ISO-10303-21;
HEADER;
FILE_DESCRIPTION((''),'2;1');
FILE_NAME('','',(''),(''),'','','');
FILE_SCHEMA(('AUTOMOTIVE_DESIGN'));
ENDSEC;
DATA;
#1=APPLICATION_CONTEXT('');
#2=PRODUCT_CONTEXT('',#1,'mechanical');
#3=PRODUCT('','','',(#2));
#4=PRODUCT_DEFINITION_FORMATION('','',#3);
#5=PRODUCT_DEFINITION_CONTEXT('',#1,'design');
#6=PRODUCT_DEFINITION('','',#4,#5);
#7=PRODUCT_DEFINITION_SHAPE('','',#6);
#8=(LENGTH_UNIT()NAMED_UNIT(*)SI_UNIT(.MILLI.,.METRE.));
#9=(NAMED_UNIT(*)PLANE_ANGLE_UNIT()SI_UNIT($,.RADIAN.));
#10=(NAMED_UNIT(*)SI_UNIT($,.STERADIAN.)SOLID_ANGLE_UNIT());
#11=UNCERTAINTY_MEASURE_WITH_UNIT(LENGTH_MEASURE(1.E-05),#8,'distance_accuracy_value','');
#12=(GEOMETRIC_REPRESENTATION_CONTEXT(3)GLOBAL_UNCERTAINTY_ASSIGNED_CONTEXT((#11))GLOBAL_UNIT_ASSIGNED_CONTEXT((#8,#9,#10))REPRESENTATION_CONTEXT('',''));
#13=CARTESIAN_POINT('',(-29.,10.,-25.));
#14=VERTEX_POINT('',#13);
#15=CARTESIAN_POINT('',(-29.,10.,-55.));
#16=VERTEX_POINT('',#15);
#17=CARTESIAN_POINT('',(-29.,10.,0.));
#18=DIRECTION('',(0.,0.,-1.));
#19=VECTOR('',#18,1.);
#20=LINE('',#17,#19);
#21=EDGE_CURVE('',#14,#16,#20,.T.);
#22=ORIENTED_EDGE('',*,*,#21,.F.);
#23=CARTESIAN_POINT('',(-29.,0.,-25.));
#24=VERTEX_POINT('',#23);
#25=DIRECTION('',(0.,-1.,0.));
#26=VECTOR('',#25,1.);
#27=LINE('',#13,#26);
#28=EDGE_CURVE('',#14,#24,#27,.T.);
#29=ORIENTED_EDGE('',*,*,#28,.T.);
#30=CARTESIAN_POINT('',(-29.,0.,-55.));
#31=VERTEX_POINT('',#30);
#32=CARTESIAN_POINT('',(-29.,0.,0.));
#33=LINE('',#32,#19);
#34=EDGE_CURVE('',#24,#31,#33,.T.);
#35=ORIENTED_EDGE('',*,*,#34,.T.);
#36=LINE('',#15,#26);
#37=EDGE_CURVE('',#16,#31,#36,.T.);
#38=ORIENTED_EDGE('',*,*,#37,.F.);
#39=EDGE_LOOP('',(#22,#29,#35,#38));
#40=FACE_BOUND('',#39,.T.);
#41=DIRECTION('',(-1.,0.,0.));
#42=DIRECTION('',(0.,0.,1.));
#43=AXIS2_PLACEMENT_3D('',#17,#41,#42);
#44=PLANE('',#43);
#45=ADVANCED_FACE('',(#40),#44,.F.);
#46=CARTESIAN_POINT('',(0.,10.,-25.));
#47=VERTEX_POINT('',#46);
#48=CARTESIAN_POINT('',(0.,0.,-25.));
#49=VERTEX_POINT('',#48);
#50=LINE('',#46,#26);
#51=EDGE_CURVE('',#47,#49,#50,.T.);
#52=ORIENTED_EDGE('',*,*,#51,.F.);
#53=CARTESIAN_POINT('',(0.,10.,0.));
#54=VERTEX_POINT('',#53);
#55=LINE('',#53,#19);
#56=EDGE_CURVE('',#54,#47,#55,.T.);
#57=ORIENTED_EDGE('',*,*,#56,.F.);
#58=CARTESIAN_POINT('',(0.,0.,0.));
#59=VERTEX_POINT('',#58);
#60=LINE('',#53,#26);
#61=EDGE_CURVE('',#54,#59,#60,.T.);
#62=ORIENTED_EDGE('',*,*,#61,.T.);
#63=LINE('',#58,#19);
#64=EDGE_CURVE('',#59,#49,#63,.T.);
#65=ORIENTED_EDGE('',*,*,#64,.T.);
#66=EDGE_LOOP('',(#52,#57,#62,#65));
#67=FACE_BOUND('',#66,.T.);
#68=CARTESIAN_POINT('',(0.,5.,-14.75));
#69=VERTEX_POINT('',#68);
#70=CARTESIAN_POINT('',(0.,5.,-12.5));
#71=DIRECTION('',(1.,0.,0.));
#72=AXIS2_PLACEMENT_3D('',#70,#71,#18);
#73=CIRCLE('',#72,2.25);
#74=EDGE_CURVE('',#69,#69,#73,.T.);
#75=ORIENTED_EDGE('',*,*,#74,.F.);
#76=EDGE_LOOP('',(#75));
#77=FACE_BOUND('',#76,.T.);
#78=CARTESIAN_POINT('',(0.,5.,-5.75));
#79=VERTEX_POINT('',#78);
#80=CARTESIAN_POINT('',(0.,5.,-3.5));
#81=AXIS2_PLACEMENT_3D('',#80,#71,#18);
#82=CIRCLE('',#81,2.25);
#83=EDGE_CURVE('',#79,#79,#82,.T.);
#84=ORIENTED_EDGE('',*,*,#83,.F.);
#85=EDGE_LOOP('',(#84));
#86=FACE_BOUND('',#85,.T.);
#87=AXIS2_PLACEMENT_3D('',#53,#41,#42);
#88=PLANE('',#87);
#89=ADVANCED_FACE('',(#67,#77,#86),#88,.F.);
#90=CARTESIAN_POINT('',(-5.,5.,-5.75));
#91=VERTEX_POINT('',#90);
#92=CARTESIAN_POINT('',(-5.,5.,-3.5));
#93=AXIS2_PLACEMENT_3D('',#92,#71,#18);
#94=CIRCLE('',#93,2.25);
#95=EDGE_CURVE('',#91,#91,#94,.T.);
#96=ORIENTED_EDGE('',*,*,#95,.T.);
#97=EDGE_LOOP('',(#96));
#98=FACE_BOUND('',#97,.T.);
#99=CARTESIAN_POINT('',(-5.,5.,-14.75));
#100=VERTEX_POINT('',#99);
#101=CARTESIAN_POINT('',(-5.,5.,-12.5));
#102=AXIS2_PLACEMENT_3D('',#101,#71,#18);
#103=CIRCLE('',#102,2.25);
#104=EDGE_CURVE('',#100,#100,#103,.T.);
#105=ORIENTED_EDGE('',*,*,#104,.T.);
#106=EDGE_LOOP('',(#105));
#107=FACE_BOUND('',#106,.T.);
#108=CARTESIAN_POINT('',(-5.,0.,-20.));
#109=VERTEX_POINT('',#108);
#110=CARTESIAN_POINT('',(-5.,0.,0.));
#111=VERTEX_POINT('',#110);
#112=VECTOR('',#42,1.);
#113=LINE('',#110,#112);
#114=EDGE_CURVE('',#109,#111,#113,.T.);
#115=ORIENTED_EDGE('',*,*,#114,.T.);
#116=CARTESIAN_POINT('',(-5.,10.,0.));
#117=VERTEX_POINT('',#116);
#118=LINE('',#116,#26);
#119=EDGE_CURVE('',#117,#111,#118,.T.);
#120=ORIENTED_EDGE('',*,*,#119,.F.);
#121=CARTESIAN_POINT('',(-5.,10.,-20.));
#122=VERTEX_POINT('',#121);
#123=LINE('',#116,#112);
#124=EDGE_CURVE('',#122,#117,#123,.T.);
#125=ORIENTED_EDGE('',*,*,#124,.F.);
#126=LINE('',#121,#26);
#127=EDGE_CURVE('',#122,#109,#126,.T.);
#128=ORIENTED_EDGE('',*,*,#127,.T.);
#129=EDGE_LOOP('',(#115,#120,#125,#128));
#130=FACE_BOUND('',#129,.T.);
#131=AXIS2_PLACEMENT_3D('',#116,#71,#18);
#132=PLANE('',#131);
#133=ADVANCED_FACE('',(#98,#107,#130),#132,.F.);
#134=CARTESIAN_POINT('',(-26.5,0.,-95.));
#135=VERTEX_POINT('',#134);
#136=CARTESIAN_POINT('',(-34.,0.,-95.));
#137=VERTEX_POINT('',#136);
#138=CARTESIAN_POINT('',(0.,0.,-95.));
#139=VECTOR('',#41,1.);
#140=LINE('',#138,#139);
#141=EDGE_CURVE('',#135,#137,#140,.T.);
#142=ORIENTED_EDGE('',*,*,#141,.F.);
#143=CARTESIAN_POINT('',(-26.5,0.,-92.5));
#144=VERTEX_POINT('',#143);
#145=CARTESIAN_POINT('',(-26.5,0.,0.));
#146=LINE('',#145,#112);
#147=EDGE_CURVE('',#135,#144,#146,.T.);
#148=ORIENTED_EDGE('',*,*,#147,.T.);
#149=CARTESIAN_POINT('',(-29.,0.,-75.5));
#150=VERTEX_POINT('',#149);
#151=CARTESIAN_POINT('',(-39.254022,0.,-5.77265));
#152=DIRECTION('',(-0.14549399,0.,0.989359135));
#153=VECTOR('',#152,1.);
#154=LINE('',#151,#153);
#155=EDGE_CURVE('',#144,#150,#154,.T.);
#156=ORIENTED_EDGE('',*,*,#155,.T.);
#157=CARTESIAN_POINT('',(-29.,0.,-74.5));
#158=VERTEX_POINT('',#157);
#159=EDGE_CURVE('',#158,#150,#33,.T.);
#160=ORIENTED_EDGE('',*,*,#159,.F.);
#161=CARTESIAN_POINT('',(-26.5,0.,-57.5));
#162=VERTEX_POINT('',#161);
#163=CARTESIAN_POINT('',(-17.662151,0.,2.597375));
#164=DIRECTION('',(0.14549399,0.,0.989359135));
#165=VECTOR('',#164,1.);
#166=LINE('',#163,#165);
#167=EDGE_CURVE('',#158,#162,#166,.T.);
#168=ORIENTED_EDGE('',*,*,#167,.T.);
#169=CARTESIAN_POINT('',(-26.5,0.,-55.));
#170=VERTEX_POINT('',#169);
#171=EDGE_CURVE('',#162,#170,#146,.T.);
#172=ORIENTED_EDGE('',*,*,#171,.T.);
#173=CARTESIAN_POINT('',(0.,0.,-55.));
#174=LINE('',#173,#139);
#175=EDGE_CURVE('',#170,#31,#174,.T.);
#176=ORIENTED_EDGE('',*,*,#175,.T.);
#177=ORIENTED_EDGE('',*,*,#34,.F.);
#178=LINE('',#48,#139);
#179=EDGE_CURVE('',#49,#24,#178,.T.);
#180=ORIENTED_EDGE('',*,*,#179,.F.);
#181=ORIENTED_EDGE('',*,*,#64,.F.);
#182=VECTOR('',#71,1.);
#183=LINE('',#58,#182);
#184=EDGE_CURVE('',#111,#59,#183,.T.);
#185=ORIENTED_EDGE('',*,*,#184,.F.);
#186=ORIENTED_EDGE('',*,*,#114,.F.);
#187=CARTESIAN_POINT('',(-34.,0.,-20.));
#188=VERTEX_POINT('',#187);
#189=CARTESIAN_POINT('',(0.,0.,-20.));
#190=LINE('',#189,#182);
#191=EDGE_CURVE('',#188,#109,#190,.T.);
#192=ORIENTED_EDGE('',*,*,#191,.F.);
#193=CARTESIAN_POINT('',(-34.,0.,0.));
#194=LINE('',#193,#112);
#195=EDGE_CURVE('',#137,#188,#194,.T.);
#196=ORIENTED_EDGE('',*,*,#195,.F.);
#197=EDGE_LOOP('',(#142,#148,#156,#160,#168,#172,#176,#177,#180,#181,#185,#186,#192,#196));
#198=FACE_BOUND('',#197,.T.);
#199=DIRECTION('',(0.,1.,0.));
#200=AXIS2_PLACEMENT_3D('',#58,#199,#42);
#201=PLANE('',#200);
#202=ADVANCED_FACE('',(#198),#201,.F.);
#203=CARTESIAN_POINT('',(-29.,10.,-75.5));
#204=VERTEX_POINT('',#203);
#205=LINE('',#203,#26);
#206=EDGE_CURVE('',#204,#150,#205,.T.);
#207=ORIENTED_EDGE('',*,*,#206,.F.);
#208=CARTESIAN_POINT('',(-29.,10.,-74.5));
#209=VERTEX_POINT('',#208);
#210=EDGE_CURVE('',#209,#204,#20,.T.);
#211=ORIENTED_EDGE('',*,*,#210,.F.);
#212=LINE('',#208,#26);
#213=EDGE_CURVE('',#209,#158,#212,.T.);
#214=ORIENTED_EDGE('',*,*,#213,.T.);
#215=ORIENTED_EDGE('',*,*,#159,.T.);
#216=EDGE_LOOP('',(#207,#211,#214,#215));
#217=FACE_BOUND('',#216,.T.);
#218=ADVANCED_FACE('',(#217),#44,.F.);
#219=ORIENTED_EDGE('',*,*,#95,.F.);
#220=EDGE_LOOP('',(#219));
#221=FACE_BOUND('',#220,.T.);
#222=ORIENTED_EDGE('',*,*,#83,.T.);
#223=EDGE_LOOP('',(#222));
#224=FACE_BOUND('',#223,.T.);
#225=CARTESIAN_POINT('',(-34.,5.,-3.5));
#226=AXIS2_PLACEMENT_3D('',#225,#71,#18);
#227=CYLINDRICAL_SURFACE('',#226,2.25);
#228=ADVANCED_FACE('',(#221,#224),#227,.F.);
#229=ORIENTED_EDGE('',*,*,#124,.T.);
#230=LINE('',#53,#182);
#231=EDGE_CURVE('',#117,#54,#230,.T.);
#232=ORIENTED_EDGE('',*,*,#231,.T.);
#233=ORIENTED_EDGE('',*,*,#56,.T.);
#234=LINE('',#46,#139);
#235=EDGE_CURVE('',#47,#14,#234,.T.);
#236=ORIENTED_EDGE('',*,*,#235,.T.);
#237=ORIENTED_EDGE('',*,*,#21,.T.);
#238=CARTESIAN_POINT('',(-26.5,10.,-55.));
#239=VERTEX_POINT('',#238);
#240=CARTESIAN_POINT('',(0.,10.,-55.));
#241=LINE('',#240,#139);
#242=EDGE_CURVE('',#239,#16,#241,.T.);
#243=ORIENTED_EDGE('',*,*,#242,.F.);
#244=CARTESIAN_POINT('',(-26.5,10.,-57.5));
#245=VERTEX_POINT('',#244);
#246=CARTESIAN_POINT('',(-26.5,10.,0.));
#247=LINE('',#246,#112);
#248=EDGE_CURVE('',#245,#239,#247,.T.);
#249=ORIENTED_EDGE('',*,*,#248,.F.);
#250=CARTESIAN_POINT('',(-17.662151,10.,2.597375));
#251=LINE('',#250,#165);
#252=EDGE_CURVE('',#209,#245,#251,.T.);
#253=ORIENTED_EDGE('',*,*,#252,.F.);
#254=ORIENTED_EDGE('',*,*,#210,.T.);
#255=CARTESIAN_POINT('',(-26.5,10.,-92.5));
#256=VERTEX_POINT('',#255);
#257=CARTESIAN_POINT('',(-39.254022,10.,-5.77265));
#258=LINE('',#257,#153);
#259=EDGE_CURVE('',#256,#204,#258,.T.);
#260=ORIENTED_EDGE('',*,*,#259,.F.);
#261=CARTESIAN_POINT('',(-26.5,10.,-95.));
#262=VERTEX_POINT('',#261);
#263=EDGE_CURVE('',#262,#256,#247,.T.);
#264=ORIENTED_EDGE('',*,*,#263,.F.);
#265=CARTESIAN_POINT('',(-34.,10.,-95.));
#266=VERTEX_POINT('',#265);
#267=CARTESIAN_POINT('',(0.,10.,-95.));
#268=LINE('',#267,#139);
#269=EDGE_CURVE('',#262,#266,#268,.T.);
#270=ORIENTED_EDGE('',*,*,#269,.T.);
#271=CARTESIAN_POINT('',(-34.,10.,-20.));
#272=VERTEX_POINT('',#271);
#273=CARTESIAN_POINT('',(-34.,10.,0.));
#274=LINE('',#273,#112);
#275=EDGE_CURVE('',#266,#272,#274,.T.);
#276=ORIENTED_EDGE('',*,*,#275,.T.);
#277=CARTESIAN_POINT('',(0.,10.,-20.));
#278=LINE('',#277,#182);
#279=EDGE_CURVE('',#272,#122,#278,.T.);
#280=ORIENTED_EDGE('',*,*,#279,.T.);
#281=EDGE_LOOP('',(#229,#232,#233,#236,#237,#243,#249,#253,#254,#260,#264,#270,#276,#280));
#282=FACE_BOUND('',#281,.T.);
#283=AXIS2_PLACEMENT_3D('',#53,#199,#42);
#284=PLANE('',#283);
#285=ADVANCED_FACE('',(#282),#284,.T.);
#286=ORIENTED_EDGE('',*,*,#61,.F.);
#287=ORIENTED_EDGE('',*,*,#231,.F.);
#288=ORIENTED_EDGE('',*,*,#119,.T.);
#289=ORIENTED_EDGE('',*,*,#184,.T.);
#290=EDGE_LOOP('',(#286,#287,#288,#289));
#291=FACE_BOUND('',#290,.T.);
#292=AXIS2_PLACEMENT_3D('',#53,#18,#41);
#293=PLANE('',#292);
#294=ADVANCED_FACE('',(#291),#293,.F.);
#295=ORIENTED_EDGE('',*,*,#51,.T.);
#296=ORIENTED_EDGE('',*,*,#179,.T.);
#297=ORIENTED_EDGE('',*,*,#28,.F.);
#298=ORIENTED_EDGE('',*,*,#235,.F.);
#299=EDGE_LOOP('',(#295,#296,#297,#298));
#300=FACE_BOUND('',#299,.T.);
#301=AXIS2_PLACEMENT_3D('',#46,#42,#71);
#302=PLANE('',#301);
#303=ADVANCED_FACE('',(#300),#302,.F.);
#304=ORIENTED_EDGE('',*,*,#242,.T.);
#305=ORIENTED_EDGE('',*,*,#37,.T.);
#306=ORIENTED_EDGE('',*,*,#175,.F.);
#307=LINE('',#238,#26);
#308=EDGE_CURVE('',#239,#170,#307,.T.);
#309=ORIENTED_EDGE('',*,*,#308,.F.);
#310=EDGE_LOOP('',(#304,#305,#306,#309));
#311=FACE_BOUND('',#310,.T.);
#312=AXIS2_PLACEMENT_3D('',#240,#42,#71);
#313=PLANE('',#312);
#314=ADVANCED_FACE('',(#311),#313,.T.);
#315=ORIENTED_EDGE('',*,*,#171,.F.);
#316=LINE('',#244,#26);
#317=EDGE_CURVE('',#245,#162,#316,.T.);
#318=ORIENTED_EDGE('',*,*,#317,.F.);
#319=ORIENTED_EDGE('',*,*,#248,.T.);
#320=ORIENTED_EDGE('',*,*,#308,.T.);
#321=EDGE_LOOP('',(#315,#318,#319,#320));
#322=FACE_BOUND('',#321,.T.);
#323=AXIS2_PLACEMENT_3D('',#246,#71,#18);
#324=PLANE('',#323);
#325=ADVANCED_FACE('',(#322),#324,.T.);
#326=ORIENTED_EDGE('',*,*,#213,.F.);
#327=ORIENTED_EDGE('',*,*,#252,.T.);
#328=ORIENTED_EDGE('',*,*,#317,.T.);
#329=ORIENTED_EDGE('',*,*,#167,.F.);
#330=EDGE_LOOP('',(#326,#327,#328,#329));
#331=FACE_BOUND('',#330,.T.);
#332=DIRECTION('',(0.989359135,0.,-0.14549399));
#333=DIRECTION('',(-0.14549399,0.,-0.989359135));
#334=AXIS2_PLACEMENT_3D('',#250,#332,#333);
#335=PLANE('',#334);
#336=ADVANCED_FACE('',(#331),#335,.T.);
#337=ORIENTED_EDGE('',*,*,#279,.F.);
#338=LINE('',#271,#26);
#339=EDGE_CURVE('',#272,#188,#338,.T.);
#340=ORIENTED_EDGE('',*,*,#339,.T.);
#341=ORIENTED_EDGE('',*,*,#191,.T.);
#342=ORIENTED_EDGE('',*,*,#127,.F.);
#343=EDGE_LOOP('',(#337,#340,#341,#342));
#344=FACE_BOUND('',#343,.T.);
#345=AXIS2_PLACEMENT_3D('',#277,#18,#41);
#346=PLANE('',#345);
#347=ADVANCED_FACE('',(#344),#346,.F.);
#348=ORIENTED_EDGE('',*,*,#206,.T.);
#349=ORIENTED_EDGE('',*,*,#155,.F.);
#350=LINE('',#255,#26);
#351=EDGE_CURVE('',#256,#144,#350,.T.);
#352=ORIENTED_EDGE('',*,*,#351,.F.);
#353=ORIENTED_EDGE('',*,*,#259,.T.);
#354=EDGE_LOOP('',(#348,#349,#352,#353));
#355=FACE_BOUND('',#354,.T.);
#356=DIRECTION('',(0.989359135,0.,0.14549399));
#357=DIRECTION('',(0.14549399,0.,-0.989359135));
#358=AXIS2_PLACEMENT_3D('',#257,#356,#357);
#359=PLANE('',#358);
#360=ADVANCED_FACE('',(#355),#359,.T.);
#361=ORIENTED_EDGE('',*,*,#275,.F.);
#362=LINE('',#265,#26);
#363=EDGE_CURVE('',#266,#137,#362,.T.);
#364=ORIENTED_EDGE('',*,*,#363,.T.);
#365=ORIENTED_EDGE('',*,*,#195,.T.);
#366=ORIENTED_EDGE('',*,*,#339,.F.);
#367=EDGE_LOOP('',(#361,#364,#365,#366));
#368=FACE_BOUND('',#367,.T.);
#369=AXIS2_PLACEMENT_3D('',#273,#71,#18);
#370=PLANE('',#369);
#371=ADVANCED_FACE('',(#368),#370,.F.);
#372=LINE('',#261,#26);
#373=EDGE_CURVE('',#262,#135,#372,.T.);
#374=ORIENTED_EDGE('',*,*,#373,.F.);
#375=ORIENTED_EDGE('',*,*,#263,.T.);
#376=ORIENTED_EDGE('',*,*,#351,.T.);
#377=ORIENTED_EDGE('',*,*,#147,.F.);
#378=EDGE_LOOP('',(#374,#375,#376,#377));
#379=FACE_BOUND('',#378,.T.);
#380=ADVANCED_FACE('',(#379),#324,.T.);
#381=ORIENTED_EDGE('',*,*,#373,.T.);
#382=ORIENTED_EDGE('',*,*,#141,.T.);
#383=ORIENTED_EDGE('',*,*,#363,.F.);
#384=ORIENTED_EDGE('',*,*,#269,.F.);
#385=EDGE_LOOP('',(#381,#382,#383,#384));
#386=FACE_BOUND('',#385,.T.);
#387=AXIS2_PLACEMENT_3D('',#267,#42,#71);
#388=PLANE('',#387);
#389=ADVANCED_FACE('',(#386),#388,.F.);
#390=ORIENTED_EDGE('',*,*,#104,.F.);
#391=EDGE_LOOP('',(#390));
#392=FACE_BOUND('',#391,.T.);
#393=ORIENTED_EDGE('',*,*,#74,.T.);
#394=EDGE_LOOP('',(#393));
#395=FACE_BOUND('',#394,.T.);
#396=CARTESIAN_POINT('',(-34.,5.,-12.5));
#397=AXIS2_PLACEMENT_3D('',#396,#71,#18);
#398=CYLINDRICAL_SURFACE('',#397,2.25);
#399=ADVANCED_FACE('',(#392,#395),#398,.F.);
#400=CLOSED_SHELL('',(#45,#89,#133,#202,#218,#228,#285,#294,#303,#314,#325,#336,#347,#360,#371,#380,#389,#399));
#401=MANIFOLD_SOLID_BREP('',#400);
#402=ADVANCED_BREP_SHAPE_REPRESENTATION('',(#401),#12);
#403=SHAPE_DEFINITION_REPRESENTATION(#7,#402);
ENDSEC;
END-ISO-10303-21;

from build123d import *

# Parameters (mm, degrees)
BOSS_EXTRUDE1_DEPTH = 10
SKETCH3_R           = 2.25
CUT_EXTRUDE1_DEPTH  = 35


with BuildPart() as part:
    # Sketch2 → Boss-Extrude1 (new body)
    with BuildSketch(Plane(origin=(0, 0, 0), x_dir=(1, 0, 0), z_dir=(0, 1, 0))):
        Polygon((-5, 0), (0, 0), (0, 25), (-29, 25), (-29, 55), (-26.5, 55), (-26.5, 57.5), (-29, 74.5), (-29, 75.5), (-26.5, 92.5), (-26.5, 95), (-34, 95), (-34, 20), (-5, 20), align=None)
    extrude(amount=BOSS_EXTRUDE1_DEPTH)

    # Sketch3 → Cut-Extrude1 (cut, through all)
    with BuildSketch(Plane(origin=(0, 0, 0), x_dir=(0, 0, -1), z_dir=(1, 0, 0))):
        with Locations((3.5, 5)):
            Circle(SKETCH3_R)
        with Locations((12.5, 5)):
            Circle(SKETCH3_R)
    extrude(amount=-CUT_EXTRUDE1_DEPTH, mode=Mode.SUBTRACT)


solid = part.part
